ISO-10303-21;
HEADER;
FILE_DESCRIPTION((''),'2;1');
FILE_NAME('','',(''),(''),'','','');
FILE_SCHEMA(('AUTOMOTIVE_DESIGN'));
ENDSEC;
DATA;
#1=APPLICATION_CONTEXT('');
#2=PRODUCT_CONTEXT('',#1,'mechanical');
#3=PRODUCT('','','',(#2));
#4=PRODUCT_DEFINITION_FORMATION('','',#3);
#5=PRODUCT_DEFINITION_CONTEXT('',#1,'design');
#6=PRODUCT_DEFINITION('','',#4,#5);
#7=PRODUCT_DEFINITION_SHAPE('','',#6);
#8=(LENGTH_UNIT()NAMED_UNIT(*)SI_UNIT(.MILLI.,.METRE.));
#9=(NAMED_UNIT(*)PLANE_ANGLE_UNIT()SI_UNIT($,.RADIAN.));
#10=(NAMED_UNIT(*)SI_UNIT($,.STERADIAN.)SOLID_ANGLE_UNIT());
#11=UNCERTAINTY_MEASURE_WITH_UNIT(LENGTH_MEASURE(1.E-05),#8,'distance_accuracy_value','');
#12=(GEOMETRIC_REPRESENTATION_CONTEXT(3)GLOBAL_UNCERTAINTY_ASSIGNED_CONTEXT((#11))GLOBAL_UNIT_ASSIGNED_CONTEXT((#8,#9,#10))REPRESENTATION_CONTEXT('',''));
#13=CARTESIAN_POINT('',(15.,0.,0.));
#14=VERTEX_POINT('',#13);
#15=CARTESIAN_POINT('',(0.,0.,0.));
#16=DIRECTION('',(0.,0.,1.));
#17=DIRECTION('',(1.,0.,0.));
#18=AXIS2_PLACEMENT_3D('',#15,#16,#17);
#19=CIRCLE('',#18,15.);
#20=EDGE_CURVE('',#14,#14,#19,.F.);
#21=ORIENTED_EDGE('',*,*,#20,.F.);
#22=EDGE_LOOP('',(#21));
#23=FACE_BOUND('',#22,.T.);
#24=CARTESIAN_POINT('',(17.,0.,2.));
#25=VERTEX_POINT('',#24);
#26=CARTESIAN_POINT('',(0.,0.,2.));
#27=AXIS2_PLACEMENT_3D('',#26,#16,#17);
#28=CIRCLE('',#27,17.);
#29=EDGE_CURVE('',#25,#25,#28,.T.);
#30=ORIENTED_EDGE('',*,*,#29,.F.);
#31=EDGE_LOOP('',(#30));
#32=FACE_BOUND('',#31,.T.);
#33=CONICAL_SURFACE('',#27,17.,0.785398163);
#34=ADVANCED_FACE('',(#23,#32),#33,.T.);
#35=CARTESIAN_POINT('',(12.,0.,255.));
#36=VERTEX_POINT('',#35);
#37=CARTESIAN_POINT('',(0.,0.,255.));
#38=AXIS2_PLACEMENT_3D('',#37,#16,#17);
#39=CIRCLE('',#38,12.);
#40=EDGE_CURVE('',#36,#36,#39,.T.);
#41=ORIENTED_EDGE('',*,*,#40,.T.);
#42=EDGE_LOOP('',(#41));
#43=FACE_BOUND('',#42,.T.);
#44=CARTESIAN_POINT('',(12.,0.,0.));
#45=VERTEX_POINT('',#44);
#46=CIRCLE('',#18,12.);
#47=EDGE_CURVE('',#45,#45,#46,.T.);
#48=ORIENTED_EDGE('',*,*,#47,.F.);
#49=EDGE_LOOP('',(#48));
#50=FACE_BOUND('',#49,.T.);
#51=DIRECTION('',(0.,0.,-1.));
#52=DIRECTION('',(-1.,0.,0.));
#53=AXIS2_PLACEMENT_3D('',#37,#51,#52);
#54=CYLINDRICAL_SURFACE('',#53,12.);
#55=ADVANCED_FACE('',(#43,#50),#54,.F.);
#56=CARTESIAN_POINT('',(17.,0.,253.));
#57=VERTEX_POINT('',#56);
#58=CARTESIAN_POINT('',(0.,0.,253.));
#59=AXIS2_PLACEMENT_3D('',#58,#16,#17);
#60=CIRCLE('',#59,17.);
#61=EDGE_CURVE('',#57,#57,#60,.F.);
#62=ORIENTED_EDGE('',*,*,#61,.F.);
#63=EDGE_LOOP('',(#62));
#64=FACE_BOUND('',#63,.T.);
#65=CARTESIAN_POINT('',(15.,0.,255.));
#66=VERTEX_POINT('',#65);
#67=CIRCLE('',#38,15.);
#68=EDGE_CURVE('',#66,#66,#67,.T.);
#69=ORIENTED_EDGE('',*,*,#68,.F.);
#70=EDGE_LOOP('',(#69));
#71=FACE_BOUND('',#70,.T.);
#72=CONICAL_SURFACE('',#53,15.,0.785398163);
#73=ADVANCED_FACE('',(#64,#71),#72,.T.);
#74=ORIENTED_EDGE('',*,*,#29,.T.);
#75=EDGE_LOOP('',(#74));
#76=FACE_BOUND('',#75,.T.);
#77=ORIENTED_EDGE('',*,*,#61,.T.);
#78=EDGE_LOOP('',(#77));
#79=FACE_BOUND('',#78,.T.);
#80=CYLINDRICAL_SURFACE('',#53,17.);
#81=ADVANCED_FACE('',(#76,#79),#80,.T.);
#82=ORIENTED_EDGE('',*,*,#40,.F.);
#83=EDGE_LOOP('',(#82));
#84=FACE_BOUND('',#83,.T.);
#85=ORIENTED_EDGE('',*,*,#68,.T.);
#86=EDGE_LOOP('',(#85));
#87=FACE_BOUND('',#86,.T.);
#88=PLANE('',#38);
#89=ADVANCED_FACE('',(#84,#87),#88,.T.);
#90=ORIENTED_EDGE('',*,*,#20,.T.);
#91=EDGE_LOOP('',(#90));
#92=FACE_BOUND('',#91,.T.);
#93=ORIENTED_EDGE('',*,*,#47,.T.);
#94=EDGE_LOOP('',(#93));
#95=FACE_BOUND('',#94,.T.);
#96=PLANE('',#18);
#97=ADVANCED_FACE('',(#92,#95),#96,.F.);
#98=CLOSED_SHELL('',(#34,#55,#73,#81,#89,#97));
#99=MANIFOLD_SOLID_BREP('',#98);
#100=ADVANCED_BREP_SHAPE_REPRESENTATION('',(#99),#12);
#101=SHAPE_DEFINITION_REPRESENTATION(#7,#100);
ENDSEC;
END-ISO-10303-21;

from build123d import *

# Parameters (mm, degrees)
SKETCH1_R           = 17
SKETCH1_R_2         = 12
BOSS_EXTRUDE1_DEPTH = 255
CHAMFER1_SIZE       = 2


with BuildPart() as part:
    # Sketch1 → Boss-Extrude1 (new body)
    with BuildSketch(Plane.XY):
        Circle(SKETCH1_R)
        Circle(SKETCH1_R_2, mode=Mode.SUBTRACT)
    extrude(amount=BOSS_EXTRUDE1_DEPTH)

    # Chamfer1
    chamfer1_edges = [part.edges().sort_by_distance(p)[0] for p in [
        (-17, 0, 255),
        (-17, 0, 0),
    ]]
    chamfer(chamfer1_edges, length=CHAMFER1_SIZE)


solid = part.part
